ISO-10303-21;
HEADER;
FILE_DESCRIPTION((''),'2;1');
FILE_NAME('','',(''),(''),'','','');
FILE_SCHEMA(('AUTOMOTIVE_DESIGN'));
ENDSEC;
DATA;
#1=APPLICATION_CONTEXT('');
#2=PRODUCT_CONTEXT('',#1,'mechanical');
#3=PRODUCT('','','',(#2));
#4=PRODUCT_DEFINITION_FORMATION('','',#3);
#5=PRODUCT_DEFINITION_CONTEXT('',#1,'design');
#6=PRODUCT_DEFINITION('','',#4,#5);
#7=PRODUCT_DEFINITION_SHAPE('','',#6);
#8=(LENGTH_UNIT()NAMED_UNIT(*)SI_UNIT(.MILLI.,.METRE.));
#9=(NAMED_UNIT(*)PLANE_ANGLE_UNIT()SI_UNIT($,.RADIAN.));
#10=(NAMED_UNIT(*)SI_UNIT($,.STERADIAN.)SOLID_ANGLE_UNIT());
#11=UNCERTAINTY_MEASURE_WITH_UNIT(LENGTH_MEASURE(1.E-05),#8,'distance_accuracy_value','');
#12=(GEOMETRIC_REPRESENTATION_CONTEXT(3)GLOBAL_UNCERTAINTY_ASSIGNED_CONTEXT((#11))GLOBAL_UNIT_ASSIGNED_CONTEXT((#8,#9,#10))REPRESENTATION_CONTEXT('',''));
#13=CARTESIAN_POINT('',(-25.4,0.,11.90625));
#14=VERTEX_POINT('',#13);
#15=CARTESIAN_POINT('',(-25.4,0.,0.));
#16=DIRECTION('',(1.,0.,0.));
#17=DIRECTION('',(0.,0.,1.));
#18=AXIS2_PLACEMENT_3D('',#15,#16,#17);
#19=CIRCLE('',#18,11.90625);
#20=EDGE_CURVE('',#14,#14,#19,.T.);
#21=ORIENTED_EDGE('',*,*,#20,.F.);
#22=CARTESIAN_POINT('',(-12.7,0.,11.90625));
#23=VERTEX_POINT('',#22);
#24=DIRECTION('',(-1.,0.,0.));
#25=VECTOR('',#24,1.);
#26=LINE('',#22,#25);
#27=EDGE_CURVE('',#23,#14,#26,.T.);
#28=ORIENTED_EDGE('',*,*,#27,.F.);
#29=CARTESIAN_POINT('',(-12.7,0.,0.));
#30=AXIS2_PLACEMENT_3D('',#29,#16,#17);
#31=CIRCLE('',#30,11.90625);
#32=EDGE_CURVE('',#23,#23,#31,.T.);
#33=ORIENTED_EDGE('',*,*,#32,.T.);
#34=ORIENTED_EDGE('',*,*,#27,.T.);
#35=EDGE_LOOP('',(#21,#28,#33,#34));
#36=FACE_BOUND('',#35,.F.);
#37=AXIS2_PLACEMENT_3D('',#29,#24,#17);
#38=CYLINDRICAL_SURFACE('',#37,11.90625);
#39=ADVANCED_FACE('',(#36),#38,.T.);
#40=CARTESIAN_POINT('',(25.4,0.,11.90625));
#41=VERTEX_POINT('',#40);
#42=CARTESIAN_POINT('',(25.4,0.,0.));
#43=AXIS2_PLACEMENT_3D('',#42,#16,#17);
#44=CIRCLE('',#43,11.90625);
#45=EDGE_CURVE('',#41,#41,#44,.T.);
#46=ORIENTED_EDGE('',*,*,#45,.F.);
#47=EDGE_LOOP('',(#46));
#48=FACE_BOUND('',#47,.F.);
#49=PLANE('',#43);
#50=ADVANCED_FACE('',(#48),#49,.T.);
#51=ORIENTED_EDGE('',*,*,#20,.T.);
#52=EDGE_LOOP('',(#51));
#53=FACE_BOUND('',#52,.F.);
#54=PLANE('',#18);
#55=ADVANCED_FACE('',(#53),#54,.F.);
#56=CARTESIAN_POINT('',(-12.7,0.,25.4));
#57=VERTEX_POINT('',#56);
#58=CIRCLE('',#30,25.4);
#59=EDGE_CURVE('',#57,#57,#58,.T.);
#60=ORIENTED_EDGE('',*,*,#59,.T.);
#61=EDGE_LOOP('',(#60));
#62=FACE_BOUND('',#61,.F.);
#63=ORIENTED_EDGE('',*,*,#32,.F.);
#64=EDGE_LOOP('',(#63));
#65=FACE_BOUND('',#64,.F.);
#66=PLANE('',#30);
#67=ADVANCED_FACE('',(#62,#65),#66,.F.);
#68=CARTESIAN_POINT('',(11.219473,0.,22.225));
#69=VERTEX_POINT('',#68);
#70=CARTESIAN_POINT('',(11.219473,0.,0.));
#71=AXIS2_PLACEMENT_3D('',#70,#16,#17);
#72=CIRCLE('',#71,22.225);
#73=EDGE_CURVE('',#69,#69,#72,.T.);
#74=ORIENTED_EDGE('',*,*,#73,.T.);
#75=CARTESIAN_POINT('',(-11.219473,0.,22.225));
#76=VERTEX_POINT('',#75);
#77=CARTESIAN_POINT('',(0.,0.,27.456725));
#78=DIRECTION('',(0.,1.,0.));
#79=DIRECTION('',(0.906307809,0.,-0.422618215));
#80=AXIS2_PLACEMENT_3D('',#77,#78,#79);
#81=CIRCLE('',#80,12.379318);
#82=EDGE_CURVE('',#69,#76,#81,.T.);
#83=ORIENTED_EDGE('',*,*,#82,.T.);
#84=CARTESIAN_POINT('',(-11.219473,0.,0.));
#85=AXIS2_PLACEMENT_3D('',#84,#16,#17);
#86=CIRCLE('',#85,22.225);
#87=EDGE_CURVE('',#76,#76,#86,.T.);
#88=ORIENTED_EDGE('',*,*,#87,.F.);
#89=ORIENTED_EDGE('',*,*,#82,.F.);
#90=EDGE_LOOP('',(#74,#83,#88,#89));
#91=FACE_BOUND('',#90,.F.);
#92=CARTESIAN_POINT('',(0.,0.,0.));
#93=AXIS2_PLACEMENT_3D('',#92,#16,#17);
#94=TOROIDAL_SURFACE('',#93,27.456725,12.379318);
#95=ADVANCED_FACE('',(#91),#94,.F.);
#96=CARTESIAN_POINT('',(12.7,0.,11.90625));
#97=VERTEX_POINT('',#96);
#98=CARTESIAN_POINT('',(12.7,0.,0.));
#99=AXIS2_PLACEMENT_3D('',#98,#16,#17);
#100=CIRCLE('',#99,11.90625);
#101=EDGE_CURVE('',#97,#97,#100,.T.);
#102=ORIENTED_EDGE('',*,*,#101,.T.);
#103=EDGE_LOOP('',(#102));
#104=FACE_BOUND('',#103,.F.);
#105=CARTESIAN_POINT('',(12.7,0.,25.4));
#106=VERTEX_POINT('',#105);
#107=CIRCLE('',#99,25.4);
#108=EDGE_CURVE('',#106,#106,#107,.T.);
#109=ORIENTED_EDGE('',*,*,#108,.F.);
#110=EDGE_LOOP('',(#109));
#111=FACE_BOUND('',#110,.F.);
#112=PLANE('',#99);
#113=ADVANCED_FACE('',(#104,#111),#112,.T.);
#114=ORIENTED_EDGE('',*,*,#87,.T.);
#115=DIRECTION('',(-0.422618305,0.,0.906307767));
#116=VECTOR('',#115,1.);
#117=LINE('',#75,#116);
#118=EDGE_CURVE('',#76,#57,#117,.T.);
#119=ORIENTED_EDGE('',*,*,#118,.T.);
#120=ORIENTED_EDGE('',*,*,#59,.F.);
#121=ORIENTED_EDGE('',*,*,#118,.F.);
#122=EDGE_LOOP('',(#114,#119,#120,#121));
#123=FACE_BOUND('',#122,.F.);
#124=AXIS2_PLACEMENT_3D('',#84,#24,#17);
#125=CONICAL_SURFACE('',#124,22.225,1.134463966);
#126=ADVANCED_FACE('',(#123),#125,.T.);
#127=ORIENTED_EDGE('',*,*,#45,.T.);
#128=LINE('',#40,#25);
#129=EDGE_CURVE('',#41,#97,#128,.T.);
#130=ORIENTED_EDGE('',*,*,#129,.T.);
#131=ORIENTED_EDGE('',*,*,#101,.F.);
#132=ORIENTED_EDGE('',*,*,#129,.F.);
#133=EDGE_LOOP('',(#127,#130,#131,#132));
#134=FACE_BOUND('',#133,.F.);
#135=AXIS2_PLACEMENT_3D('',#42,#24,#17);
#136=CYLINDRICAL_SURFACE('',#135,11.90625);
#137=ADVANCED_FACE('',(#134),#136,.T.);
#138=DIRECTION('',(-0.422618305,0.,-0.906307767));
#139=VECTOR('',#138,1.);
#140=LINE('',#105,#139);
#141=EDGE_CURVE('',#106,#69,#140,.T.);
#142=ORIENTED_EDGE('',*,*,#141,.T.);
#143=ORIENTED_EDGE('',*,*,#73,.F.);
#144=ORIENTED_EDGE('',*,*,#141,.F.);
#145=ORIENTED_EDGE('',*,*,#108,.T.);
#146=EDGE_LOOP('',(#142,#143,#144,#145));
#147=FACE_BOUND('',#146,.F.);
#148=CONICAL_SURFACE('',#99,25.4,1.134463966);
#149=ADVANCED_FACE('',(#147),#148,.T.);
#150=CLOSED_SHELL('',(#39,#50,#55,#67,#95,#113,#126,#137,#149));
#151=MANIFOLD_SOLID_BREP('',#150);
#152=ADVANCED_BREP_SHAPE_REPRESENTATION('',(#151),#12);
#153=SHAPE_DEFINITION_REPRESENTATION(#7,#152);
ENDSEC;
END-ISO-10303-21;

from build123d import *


with BuildPart() as f1:
    # F0 (on Front) → F1 (revolve)
    with BuildSketch(Plane.XZ):
        with BuildLine():
            Line((-25.4, 11.90625), (-25.4, 0))
            Line((-25.4, 0), (0, 0))
            Line((0, 0), (25.4, 0))
            Line((25.4, 0), (25.4, 11.90625))
            Line((25.4, 11.90625), (12.7, 11.90625))
            Line((12.7, 11.90625), (12.7, 25.4))
            Line((12.7, 25.4), (11.219473, 22.225))
            ThreePointArc((11.219473, 22.225), (0, 15.077407), (-11.219473, 22.225))
            Line((-11.219473, 22.225), (-12.7, 25.4))
            Line((-12.7, 25.4), (-12.7, 11.90625))
            Line((-12.7, 11.90625), (-25.4, 11.90625))
        make_face()
    revolve(axis=Axis((-5.579621, 0, 0), (1, 0, 0)))


solid = f1.part
